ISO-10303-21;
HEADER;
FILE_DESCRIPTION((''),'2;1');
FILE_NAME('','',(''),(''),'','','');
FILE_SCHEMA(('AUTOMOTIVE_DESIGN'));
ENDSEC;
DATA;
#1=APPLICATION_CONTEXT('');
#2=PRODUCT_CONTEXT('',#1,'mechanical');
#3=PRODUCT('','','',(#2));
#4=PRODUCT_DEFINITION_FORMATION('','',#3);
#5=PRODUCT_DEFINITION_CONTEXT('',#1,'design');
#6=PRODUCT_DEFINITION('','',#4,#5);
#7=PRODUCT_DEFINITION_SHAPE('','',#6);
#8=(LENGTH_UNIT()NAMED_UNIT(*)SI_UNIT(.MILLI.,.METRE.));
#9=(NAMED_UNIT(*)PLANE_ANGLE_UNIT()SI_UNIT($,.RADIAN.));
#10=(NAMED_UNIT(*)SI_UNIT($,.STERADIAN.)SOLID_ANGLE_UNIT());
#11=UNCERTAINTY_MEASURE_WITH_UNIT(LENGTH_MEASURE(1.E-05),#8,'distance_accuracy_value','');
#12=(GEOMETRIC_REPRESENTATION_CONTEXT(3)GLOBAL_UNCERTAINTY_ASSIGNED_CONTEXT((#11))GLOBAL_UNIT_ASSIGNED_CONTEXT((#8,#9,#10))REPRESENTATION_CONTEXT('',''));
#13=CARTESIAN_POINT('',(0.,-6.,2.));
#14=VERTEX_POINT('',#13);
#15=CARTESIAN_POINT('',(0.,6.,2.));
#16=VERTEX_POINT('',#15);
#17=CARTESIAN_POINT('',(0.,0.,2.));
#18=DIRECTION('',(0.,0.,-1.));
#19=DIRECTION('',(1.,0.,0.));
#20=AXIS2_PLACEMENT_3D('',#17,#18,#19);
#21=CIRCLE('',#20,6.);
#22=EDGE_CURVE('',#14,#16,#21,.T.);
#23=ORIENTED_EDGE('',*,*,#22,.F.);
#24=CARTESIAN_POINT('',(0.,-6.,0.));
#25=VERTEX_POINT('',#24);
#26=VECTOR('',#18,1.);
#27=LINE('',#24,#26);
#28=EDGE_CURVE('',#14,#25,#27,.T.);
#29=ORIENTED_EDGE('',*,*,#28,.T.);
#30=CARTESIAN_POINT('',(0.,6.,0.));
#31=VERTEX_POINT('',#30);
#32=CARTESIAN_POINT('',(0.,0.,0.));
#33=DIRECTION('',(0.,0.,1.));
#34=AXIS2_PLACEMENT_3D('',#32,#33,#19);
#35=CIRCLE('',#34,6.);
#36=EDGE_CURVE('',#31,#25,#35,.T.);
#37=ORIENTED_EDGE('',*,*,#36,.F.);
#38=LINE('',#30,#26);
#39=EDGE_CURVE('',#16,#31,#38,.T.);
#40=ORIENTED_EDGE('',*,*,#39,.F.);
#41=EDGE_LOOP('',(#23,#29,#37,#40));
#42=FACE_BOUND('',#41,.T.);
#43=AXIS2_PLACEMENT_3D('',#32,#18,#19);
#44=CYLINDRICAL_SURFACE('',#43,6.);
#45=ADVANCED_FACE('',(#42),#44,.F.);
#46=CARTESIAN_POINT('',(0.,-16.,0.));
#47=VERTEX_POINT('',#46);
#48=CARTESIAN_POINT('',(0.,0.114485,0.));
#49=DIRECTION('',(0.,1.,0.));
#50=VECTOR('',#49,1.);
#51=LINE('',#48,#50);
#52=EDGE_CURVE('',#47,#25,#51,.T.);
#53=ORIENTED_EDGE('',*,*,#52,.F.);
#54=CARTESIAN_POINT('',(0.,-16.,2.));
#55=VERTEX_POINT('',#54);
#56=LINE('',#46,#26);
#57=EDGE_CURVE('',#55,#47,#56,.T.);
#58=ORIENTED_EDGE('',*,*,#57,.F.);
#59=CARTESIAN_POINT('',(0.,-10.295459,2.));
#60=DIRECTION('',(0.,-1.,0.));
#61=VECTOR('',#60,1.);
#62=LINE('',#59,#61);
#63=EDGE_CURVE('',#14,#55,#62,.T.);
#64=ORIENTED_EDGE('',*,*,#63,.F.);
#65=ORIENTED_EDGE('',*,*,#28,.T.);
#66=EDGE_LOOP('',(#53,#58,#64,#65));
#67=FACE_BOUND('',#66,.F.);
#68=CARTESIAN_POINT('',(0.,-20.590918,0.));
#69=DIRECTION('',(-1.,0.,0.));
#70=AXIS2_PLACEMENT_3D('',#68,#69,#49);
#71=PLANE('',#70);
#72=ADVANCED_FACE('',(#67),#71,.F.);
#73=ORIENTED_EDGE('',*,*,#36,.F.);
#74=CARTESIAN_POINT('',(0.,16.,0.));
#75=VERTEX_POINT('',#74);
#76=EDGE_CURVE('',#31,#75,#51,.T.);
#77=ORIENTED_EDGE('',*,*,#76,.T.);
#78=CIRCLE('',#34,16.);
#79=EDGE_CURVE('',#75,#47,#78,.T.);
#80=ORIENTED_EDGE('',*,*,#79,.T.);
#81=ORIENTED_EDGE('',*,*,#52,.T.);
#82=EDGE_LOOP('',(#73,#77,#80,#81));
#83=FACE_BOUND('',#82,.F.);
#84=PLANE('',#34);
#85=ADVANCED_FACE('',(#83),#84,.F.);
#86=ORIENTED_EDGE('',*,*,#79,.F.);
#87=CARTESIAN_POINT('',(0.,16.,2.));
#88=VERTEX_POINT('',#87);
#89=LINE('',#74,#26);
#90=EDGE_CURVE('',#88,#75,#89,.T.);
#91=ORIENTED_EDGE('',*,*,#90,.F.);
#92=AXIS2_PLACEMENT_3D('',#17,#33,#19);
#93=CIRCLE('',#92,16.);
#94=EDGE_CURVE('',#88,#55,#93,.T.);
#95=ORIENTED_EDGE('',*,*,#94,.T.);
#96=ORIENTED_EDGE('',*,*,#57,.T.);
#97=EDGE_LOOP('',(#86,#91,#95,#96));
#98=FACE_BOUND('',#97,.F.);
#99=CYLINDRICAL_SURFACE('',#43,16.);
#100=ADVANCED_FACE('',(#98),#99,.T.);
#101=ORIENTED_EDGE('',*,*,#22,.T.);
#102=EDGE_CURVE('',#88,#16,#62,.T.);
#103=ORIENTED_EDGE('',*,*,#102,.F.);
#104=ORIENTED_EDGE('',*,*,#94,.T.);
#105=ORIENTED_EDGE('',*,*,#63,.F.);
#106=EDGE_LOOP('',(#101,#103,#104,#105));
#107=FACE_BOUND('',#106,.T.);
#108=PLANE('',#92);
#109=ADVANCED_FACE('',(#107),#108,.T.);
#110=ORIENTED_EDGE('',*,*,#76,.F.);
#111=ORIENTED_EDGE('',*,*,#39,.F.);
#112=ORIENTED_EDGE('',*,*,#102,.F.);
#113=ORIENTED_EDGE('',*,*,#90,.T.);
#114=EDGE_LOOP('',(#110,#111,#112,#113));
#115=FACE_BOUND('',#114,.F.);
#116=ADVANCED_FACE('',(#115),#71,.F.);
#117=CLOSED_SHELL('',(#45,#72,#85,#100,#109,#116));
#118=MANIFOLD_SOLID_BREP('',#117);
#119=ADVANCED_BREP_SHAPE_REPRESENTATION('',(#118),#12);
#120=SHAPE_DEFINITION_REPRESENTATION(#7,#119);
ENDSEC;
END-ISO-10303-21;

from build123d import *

# Parameters (mm, degrees)
F0_R     = 16
F1_DEPTH = 2
F2_R     = 6
F3_DEPTH = 25
F4_W     = 41.035842
F4_H     = 41.410806
F5_DEPTH = 25


with BuildPart() as f1:
    # F0 (on Top) → F1 (new body)
    with BuildSketch(Plane.XY):
        Circle(F0_R)
    extrude(amount=F1_DEPTH)

    # F2 (on Top) → F3 (cut)
    with BuildSketch(Plane.XY):
        Circle(F2_R)
    extrude(amount=F3_DEPTH, mode=Mode.SUBTRACT)

    # F4 (on Top) → F5 (cut)
    with BuildSketch(Plane.XY):
        with Locations((20.517921, 0.114485)):
            Rectangle(F4_W, F4_H)
    extrude(amount=F5_DEPTH, mode=Mode.SUBTRACT)


solid = f1.part
